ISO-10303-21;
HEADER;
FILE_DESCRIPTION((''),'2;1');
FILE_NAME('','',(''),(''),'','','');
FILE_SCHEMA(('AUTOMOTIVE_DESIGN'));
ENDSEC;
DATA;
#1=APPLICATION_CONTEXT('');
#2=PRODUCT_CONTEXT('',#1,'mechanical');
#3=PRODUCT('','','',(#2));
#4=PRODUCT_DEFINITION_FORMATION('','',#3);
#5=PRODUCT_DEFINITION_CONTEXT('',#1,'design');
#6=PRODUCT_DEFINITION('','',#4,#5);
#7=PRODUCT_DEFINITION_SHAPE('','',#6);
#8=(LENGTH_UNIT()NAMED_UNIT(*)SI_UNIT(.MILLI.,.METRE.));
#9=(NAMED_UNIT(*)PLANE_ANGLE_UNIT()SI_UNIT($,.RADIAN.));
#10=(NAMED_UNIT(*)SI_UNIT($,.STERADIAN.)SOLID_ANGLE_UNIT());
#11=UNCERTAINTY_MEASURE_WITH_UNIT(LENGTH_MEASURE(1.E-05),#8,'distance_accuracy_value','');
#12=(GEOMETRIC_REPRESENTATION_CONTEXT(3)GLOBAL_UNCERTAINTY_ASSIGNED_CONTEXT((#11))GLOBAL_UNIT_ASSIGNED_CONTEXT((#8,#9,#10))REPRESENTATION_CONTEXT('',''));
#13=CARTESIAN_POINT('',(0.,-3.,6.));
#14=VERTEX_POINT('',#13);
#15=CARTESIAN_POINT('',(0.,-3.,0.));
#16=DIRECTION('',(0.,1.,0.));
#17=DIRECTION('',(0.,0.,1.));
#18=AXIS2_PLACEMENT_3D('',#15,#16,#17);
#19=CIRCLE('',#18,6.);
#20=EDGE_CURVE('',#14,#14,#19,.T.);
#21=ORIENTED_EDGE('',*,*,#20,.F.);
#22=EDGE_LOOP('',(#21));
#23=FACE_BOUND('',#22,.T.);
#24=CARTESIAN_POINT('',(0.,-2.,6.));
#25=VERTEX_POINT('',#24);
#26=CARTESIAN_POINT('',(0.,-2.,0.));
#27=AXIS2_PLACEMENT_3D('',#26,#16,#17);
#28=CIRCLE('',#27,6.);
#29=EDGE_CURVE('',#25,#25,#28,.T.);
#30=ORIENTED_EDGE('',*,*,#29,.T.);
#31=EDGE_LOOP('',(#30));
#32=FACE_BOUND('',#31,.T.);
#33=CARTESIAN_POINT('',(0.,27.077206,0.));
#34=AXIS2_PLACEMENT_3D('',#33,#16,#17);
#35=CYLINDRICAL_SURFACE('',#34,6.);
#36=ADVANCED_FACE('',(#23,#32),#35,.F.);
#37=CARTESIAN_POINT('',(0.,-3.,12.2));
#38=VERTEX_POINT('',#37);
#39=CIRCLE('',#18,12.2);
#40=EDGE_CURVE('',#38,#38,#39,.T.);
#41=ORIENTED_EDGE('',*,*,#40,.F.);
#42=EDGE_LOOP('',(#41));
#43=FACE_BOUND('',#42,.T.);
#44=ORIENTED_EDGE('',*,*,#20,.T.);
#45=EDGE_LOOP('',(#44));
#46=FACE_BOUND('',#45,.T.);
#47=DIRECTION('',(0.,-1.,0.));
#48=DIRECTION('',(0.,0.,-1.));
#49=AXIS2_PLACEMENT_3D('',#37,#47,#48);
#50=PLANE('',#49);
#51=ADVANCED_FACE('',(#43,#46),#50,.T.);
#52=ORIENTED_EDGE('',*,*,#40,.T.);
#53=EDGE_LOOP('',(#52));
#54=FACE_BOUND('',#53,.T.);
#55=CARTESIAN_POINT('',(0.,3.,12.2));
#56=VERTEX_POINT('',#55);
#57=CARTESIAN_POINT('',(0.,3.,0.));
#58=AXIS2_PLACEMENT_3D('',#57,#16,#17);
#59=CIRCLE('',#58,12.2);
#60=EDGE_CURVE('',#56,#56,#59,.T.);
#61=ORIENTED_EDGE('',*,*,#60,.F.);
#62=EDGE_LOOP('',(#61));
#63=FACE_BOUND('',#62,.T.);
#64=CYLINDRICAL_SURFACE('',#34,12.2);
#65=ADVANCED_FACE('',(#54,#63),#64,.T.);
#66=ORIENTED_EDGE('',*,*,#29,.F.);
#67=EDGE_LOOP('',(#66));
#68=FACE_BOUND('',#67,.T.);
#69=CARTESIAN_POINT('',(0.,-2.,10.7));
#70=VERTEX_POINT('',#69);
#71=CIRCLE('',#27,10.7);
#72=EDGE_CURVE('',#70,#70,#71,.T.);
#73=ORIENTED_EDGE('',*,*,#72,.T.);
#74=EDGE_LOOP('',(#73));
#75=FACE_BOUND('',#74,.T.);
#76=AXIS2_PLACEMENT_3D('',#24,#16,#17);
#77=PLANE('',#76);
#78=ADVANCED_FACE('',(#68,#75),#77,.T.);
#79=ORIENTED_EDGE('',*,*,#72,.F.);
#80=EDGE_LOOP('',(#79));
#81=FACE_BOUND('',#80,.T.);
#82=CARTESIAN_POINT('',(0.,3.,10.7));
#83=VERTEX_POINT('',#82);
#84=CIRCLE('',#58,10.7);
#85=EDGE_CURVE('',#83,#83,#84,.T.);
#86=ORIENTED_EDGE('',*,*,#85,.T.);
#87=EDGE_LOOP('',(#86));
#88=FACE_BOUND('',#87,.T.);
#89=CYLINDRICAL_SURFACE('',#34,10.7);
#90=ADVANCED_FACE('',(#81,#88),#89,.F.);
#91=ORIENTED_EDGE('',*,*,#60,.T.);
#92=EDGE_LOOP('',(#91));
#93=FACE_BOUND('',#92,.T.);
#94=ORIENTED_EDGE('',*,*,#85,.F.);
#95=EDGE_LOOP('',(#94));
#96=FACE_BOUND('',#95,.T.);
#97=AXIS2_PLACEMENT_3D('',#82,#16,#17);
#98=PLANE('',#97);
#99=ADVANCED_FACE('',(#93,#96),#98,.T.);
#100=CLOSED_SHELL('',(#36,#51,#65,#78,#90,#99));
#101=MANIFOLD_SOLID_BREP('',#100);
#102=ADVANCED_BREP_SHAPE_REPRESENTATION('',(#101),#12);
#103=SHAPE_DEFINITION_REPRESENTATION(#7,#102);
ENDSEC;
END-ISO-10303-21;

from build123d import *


with BuildPart() as part:
    # Sketch1 → Revolve1 (revolve)
    with BuildSketch(Plane(origin=(0, 0, 0), x_dir=(0, 0, -1), z_dir=(1, 0, 0))):
        Polygon((-12.2, 3), (-12.2, -3), (-6, -3), (-6, -2), (-10.7, -2), (-10.7, 3), align=None)
    revolve(axis=Axis((0, 27.077205882, 0), (0, -1, 0)))


solid = part.part
